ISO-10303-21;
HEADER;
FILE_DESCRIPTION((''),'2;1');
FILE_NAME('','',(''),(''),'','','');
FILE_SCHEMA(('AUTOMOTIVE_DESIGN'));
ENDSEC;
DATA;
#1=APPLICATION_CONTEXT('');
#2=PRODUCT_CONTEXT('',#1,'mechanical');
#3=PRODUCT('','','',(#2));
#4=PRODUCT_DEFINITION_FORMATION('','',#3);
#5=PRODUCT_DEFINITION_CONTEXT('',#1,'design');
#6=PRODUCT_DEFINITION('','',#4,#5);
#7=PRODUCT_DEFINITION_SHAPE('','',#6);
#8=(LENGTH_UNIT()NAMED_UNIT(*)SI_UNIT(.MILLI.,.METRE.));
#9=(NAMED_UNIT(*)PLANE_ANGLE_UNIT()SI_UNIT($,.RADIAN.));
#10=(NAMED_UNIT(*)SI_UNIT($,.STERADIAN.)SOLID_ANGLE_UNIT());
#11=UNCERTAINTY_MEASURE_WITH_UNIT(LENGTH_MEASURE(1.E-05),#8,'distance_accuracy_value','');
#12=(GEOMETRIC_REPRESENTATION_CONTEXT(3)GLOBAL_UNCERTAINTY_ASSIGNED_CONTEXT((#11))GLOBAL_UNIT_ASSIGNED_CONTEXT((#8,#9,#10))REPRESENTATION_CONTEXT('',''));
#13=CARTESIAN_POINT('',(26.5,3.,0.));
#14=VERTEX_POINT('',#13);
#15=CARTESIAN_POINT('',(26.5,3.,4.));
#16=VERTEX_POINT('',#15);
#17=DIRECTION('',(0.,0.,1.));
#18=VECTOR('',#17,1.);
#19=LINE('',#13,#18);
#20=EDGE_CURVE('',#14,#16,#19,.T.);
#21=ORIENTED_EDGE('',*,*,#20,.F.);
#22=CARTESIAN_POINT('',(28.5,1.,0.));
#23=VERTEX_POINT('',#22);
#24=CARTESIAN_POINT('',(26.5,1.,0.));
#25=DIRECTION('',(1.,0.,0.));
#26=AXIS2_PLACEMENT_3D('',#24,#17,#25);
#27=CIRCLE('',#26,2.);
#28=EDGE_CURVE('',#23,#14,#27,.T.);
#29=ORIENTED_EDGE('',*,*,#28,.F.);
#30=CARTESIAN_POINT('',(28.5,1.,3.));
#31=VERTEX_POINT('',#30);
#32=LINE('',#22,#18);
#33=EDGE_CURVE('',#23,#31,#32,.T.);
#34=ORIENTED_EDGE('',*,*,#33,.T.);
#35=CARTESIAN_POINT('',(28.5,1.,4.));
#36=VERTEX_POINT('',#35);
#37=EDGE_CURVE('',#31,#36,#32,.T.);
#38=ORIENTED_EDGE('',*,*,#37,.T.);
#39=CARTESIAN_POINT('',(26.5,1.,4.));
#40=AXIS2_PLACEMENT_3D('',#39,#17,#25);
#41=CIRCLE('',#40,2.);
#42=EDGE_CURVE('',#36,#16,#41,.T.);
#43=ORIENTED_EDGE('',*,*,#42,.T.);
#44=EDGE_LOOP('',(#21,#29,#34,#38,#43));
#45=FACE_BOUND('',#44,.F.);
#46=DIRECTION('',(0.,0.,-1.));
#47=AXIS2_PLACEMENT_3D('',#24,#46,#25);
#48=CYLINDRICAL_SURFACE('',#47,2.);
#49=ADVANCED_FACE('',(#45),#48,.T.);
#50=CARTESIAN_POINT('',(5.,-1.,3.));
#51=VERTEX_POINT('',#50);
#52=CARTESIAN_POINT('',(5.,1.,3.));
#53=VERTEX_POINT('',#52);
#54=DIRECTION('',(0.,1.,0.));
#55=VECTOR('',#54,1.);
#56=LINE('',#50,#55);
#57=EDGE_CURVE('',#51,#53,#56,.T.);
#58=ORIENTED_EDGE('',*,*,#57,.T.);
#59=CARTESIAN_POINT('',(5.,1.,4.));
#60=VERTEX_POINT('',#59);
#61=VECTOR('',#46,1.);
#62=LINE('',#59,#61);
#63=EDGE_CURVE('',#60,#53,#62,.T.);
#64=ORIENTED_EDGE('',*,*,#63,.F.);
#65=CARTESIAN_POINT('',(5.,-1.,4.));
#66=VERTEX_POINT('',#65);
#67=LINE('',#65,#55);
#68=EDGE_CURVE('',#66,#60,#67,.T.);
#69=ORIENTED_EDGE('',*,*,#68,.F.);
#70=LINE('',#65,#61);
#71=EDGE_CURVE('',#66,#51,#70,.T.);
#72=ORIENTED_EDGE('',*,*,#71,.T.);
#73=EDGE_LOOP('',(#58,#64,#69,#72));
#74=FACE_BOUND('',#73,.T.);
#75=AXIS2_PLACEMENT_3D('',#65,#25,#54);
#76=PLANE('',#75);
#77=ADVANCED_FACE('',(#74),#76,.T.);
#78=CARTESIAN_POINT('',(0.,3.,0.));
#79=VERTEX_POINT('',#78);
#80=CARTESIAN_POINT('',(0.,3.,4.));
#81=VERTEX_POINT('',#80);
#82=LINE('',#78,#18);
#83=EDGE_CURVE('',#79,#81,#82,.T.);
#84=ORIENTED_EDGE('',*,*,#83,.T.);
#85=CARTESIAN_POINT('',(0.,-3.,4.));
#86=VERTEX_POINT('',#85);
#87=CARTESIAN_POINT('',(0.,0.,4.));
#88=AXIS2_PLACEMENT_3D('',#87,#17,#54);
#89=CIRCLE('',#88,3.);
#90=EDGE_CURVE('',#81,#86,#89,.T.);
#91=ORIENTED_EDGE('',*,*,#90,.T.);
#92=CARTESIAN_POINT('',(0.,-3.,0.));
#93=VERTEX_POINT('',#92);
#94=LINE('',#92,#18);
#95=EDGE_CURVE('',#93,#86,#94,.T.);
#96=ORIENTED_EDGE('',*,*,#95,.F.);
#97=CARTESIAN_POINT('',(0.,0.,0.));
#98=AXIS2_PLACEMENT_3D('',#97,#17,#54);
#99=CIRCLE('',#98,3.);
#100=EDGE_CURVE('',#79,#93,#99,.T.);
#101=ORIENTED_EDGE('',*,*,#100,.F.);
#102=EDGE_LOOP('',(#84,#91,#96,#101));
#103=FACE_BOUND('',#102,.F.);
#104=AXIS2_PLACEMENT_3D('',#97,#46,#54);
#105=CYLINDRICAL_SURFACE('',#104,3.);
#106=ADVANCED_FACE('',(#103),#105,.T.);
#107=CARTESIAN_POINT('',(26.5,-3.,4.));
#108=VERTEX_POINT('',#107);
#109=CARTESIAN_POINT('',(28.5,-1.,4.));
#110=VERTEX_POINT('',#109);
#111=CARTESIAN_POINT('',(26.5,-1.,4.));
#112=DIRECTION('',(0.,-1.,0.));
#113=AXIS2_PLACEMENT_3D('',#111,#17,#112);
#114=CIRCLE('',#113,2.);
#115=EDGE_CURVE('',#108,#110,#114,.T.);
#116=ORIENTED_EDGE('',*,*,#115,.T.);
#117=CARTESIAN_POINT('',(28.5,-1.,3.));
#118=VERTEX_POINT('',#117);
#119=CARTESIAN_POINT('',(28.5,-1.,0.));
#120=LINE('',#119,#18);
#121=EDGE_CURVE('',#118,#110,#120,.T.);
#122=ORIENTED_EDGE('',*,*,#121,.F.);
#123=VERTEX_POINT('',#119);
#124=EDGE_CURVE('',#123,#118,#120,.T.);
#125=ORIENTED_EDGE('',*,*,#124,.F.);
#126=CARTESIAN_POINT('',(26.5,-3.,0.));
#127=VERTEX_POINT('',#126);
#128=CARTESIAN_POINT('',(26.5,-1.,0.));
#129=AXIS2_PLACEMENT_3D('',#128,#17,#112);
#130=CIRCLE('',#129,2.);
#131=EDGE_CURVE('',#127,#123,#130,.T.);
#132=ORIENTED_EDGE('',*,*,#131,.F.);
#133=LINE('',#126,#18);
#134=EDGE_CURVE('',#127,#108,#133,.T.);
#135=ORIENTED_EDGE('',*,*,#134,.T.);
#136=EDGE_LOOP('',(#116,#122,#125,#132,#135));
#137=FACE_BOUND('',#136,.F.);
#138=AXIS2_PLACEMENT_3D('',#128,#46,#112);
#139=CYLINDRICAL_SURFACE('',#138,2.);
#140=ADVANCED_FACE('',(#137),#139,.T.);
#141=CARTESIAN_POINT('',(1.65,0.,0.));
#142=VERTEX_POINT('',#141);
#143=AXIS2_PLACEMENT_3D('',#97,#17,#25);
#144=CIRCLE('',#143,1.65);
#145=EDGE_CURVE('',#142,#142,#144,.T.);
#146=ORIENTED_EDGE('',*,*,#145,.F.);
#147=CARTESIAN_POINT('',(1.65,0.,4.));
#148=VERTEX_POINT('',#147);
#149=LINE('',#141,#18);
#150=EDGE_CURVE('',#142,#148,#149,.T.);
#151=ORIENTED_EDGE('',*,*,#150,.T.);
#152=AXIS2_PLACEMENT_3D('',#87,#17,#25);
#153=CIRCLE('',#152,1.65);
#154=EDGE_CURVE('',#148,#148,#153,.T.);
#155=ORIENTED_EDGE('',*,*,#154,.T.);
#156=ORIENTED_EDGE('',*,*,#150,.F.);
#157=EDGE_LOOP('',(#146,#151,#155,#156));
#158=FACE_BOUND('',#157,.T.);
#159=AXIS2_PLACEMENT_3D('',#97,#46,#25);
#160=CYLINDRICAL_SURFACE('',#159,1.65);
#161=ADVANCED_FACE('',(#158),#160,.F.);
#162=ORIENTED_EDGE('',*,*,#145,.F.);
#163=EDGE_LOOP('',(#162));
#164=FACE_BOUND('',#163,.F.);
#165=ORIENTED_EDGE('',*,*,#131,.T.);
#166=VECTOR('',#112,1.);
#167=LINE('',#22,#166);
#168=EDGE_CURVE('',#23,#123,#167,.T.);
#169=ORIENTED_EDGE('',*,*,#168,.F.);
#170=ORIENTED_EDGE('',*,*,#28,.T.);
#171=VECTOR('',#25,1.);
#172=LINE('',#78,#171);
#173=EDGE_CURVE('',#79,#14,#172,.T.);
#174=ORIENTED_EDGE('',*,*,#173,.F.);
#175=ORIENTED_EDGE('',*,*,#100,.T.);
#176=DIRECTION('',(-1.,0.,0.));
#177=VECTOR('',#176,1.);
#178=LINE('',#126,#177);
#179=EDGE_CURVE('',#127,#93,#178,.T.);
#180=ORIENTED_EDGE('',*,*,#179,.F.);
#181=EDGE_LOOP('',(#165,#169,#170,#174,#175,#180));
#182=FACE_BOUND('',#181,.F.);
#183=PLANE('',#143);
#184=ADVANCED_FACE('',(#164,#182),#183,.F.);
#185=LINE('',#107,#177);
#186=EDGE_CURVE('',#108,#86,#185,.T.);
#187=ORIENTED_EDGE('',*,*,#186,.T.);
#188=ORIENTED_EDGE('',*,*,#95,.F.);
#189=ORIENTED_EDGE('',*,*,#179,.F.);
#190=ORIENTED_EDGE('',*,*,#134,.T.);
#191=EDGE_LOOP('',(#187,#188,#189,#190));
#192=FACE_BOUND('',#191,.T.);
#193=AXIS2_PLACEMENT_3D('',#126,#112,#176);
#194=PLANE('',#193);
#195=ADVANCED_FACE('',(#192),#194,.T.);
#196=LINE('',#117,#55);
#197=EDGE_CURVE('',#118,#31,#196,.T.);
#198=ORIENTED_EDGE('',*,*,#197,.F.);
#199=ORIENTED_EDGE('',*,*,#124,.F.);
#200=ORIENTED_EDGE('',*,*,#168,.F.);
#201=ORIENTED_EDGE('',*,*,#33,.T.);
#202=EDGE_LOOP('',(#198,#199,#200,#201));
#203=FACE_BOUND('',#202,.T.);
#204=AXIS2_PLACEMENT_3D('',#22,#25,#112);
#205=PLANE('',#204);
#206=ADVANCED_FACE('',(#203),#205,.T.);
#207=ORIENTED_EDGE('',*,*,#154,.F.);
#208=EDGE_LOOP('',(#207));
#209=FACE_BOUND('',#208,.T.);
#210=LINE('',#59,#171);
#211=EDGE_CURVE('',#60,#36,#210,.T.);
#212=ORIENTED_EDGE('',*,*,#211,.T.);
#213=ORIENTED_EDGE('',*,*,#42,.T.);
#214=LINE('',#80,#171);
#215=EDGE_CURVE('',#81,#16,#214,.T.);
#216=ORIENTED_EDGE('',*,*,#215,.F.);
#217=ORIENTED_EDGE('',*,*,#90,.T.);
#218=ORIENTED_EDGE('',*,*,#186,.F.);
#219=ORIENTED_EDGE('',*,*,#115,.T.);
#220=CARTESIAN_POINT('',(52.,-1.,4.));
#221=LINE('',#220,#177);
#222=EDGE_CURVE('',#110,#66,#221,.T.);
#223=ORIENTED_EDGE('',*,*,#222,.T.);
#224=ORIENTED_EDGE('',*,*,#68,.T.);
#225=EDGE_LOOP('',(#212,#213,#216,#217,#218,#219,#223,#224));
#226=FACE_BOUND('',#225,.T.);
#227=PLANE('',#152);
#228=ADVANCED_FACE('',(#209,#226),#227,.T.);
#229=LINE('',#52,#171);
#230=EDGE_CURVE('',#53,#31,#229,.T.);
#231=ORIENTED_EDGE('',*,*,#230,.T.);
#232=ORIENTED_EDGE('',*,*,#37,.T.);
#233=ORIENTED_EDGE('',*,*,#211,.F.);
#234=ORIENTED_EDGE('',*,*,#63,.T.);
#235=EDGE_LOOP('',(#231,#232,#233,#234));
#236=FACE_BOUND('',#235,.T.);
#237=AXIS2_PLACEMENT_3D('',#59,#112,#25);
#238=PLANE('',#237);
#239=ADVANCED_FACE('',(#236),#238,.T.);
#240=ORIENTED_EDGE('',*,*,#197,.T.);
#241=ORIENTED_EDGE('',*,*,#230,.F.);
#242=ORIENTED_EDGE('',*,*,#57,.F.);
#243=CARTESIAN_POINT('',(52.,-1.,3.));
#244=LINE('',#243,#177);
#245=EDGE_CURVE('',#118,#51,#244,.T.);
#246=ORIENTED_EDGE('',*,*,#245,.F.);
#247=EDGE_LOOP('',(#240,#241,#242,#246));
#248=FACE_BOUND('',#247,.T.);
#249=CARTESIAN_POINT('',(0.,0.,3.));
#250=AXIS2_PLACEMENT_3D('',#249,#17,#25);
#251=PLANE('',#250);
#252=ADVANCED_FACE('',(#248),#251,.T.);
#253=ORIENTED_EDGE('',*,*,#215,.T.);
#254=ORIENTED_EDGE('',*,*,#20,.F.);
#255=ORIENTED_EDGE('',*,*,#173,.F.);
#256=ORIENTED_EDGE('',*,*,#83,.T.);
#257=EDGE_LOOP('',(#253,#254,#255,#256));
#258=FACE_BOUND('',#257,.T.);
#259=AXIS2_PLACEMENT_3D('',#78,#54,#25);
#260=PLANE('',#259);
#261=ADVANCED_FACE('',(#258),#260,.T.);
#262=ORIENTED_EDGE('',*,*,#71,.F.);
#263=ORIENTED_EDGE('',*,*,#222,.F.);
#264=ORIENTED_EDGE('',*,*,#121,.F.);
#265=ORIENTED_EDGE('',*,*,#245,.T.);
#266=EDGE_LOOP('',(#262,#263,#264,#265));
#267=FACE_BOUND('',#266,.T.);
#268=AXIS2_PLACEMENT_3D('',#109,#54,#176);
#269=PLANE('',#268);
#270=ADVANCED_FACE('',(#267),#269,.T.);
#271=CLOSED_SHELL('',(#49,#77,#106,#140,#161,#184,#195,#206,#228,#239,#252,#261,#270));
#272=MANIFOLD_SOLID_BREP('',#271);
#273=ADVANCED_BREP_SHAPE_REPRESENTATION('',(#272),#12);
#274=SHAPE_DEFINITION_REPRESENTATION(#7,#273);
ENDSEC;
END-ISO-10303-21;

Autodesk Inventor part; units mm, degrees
ref_plane "YZ Plane" through (0, 0, 0) normal (1, 0, 0) x (0, 1, 0)
ref_plane "XZ Plane" through (0, 0, 0) normal (0, 1, 0) x (-1, 0, 0)
ref_plane "XY Plane" through (0, 0, 0) normal (0, 0, 1) x (1, 0, 0)
sketch "Sketch1" plane through (0, 0, 0) normal (0, 0, 1) x (1, 0, 0)
  circle A0 centre (0, 0) radius 1.65
  arc A1 (0, 3) -> (0, -3) centre (0, 0) ccw
  line L0 (0, 3) -> (26.5, 3)
  line L1 (28.5, 1) -> (28.5, -1)
  line L2 (26.5, -3) -> (0, -3)
  arc A2 (28.5, 1) -> (26.5, 3) centre (26.5, 1) ccw
  arc A3 (26.5, -3) -> (28.5, -1) centre (26.5, -1) ccw
  dimension "d0" = 3.3
  dimension "d1" = 6
  dimension "d2" = 2
  dimension "d3" = 28.5
extrude "Extrusion1" add sketch "Sketch1" along normal blind 4
sketch "Sketch2" plane through (0, 0, 4) normal (0, 0, 1) x (1, 0, 0)
  line L0 (52, -1) -> (5, -1)
  line L1 (5, -1) -> (5, 1)
  line L2 (5, 1) -> (52, 1)
  line L3 (52, 1) -> (52, -1)
  line L4 (28.5, -1) -> (28.5, 1) projected
  line L5 (52, -1) -> (5, 1) construction
  line L6 (5, -1) -> (52, 1) construction
  point P0 (0, 0)
  point P1 (28.5, 0)
  point P2 (28.5, -1)
  point P3 (28.5, 1)
  dimension "d6" = 2
  dimension "d7" = 5
extrude "Extrusion2" cut sketch "Sketch2" against normal blind 1 contours L0 L1 L2 L4
properties part number "espcam-mount"
